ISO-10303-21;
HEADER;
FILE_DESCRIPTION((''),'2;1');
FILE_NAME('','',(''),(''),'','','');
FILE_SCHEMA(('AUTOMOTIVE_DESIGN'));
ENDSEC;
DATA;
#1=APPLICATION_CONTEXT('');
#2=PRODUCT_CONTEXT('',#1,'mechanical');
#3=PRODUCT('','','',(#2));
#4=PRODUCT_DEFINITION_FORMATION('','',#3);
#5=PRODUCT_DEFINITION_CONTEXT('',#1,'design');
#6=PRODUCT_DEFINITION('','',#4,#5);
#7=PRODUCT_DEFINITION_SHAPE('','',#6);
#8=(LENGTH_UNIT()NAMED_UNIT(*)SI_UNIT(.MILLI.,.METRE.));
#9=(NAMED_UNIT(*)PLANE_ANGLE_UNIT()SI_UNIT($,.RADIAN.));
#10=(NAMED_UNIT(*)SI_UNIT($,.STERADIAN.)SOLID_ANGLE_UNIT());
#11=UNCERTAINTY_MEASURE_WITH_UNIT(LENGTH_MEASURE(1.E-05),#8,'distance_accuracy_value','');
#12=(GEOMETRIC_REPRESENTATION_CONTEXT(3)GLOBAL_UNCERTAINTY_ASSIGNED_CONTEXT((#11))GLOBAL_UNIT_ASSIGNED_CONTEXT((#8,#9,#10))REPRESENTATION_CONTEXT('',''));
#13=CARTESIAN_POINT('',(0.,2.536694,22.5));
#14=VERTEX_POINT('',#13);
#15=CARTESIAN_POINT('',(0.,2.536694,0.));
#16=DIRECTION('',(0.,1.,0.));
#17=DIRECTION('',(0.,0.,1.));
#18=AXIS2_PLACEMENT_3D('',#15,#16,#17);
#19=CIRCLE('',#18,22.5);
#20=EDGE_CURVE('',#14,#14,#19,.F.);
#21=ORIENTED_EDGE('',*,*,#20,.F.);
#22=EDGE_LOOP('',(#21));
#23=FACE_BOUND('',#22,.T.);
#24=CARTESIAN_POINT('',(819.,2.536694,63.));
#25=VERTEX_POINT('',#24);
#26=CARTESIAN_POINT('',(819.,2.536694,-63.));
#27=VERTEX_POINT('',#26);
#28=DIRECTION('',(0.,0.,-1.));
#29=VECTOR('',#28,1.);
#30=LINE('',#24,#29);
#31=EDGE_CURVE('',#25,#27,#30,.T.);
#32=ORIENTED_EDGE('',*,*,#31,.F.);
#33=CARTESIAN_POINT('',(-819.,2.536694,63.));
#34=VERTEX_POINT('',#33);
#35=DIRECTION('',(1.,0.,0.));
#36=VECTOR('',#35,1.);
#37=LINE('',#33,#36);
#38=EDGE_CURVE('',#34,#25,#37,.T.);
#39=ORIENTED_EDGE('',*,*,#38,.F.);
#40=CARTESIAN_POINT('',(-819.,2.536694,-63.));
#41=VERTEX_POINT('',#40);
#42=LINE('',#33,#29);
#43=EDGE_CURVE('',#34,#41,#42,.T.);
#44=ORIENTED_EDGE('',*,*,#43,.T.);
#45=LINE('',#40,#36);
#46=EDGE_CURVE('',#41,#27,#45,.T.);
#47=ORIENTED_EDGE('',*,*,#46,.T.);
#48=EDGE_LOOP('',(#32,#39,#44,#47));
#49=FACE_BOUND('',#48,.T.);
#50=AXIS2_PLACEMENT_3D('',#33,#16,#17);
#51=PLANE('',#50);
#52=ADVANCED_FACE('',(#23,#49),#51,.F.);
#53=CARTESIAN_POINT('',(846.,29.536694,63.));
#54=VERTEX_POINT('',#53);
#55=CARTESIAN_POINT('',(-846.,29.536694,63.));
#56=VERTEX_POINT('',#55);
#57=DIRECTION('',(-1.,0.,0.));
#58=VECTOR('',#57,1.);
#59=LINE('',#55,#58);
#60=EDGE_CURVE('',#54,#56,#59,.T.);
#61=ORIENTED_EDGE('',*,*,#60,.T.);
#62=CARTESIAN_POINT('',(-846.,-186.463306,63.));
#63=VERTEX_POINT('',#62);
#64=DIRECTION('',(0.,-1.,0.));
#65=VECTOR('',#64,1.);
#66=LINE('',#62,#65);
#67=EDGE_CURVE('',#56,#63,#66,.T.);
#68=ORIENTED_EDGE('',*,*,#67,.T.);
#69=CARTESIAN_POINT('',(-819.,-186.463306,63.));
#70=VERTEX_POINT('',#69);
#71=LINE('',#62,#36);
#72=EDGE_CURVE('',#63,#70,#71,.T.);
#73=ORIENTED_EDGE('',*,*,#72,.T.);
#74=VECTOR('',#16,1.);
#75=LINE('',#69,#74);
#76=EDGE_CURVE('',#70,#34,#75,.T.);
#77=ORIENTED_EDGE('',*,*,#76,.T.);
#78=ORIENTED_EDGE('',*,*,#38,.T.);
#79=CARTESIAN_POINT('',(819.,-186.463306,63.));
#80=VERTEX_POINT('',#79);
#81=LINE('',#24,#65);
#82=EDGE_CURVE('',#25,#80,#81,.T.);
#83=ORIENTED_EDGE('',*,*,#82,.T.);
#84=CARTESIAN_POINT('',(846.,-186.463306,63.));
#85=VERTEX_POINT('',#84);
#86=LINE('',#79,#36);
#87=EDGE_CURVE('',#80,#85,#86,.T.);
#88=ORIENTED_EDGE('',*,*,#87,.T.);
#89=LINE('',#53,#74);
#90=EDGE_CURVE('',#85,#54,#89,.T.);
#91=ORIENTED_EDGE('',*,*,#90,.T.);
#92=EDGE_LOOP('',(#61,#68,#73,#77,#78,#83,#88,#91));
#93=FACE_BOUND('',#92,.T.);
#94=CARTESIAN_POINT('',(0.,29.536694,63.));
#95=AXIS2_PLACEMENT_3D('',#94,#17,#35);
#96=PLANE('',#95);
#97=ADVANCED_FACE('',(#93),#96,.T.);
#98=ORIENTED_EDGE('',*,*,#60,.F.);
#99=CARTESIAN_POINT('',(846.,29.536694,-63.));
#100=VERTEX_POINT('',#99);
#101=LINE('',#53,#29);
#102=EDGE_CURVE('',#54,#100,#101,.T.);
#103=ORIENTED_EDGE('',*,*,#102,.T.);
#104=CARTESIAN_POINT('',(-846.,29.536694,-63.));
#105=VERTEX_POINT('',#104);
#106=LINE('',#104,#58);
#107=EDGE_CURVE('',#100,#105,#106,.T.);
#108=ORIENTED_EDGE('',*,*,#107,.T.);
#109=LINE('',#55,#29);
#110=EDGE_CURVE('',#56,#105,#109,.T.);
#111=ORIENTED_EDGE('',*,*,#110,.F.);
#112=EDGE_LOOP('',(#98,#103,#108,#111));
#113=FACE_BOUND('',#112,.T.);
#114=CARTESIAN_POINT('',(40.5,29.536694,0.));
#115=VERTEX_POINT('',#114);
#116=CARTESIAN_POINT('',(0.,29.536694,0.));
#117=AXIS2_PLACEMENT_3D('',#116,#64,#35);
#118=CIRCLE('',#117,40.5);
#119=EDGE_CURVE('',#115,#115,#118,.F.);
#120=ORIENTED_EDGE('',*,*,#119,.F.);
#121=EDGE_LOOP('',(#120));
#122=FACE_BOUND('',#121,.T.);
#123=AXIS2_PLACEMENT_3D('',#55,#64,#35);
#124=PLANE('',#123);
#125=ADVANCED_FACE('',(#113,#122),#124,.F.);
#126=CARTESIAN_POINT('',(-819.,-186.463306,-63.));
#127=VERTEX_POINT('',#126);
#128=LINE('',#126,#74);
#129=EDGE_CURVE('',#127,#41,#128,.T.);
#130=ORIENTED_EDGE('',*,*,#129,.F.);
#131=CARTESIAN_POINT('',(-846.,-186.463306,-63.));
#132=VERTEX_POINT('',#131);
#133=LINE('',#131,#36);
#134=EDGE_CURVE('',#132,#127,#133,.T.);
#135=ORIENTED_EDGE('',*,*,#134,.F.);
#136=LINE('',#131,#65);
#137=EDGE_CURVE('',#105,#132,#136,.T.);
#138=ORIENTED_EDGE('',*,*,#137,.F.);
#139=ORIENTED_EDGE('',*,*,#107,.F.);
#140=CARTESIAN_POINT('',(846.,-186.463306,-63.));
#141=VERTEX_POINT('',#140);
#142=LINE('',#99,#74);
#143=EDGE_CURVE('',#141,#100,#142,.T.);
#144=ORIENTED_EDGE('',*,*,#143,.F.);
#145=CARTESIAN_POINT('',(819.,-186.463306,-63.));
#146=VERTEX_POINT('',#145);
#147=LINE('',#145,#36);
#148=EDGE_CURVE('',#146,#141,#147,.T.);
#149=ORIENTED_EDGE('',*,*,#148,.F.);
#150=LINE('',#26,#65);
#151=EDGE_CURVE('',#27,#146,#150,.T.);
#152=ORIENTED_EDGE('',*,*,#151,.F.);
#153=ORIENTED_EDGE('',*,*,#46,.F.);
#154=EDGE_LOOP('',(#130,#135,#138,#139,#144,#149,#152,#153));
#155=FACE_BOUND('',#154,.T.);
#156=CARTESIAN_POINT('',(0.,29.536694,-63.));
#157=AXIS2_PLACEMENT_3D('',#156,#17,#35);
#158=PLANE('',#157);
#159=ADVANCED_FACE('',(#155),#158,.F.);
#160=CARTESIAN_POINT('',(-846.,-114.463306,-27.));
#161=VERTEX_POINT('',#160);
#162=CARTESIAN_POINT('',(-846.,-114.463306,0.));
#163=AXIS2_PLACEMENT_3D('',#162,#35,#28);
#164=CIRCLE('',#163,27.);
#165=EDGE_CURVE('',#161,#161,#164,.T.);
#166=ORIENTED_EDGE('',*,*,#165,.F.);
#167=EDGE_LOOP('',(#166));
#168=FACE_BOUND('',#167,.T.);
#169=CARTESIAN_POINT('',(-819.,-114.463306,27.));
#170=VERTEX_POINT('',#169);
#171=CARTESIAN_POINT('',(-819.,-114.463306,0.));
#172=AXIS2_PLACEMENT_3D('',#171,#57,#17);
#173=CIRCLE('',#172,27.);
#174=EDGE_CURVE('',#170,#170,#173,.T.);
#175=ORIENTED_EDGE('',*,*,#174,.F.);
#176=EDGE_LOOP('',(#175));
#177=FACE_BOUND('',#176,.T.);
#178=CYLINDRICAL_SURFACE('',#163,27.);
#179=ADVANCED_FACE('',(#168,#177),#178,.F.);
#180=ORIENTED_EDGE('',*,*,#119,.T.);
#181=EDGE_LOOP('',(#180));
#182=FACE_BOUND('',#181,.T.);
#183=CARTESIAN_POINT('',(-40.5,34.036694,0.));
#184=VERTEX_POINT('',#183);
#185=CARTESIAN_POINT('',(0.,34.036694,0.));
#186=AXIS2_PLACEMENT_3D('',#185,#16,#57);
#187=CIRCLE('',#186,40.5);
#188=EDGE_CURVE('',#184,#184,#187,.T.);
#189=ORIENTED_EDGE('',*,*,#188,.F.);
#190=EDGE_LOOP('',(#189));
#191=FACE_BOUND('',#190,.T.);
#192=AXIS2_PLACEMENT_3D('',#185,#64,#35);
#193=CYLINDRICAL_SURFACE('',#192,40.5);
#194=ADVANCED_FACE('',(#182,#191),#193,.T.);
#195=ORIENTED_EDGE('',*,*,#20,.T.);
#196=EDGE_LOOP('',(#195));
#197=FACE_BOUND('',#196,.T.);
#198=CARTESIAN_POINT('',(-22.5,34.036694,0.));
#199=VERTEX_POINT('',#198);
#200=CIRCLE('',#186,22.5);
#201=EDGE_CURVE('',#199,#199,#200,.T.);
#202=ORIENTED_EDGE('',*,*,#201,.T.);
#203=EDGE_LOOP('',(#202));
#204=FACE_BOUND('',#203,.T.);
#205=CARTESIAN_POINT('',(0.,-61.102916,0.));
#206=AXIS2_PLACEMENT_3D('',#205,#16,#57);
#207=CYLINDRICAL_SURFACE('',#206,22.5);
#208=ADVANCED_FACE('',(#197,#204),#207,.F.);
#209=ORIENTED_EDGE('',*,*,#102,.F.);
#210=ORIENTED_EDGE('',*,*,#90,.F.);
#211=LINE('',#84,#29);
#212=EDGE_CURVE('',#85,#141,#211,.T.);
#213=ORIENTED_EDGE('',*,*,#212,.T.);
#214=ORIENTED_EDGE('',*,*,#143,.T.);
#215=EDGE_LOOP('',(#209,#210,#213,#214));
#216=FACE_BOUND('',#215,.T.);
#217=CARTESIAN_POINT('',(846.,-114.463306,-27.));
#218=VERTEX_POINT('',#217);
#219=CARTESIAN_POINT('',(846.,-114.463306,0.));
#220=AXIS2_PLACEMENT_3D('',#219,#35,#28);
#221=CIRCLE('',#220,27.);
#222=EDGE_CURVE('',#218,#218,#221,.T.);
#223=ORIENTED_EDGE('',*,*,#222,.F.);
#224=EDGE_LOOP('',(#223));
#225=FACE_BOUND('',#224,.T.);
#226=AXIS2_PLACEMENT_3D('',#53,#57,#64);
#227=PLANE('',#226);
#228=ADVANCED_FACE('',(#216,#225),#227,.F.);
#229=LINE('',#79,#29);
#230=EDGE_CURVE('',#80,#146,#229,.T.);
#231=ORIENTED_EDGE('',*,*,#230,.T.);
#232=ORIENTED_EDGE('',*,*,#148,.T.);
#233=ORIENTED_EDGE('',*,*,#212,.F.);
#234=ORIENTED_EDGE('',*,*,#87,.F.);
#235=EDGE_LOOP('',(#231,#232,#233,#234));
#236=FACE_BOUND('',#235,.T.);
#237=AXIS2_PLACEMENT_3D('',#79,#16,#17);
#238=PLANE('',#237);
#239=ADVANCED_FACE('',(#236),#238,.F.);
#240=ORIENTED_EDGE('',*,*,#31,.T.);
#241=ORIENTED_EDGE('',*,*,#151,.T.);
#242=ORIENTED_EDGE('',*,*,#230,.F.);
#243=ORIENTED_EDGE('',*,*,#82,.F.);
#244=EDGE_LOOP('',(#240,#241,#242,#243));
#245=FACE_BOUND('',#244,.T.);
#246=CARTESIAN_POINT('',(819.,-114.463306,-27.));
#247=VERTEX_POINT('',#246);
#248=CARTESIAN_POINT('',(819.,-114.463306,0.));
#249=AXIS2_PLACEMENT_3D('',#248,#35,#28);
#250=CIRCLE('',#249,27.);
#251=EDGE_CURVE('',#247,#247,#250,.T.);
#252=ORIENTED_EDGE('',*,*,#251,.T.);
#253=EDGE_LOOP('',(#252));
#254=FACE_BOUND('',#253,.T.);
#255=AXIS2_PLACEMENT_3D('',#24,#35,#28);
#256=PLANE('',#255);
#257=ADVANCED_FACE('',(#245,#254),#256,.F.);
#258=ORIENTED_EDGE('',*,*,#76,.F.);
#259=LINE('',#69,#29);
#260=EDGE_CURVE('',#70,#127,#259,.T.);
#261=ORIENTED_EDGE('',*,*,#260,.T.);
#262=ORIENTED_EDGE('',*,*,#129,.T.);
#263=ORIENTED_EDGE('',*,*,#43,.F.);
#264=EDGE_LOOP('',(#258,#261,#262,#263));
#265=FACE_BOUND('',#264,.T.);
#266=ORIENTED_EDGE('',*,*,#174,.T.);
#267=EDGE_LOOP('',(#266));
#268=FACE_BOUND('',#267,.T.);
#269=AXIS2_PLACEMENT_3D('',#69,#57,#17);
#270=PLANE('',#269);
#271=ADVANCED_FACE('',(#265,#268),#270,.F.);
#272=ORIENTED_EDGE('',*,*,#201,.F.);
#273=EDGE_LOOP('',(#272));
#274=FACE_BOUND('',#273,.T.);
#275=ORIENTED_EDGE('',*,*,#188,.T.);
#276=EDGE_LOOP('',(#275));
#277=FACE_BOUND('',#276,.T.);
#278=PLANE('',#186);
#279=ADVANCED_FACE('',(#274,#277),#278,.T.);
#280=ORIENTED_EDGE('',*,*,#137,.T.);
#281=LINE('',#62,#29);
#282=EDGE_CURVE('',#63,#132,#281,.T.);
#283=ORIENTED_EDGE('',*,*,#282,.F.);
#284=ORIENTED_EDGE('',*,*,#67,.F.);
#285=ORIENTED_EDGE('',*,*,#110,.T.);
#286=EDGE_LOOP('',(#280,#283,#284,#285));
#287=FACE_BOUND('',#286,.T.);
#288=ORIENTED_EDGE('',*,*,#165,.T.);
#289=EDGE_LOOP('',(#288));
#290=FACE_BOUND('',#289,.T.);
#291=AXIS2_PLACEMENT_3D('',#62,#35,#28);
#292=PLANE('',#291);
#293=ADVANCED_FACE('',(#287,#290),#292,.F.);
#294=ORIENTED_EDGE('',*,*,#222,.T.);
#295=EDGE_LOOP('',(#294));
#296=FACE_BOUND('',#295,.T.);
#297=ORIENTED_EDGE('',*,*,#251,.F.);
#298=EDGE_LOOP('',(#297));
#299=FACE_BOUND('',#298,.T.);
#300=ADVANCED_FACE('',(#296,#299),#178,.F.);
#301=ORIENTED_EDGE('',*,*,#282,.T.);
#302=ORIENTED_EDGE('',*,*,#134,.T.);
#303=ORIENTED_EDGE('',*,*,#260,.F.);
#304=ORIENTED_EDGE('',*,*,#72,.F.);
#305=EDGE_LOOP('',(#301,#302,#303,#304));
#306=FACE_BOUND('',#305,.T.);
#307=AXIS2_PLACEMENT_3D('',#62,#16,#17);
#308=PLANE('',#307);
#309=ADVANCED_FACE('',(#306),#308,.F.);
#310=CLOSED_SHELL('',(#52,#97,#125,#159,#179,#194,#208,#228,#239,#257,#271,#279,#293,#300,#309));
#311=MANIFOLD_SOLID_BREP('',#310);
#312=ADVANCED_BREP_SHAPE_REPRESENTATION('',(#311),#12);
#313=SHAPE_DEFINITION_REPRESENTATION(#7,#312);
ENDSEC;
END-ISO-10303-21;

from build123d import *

# Parameters (mm, degrees)
BOSS_EXTRUDE1_DEPTH     = 3.5
CUT_EXTRUDE1_DEPTH      = 49.633835958
CUT_EXTRUDE1_DEPTH_BACK = 1.5
SKETCH2_R               = 1.25
SKETCH3_R               = 2.25
SKETCH3_R_2             = 1.25
BOSS_EXTRUDE2_DEPTH     = 0.25
CUT_EXTRUDE2_DEPTH      = 49.633835958
CUT_EXTRUDE2_DEPTH_BACK = 49.633835958
SKETCH4_R               = 1.5
SCALE1_SCALE            = 18


with BuildPart() as part:
    # Sketch1 → Boss-Extrude1 (new, symmetric)
    with BuildSketch(Plane.XY):
        Polygon((-47, -12), (-47, 0), (47, 0), (47, -12), (45.5, -12), (45.5, -1.5), (-45.5, -1.5), (-45.5, -12), align=None)
    extrude(amount=BOSS_EXTRUDE1_DEPTH, both=True)

    # Sketch2 → Cut-Extrude1 (cut, two sides: drawn at the far end of the back side and taken through both)
    with BuildSketch(Plane(origin=(0, 0, 0), x_dir=(1, 0, 0), z_dir=(0, 1, 0)).offset(-CUT_EXTRUDE1_DEPTH_BACK)):
        with Locations(Location((0, 0, 0), (0, 0, 270))):
            Circle(SKETCH2_R)
    extrude(amount=CUT_EXTRUDE1_DEPTH + CUT_EXTRUDE1_DEPTH_BACK, mode=Mode.SUBTRACT)

    # Sketch3 → Boss-Extrude2 (add, symmetric)
    with BuildSketch(Plane(origin=(0, 0, 0), x_dir=(1, 0, 0), z_dir=(0, 1, 0))):
        Circle(SKETCH3_R)
        with Locations(Location((0, 0, 0), (0, 0, 180))):
            Circle(SKETCH3_R_2, mode=Mode.SUBTRACT)
    extrude(amount=BOSS_EXTRUDE2_DEPTH, both=True)

    # Sketch4 → Cut-Extrude2 (cut, two sides: drawn at the far end of the back side and taken through both)
    with BuildSketch(Plane(origin=(0, 0, 0), x_dir=(0, 0, -1), z_dir=(1, 0, 0)).offset(-CUT_EXTRUDE2_DEPTH_BACK)):
        with Locations((0, -8)):
            Circle(SKETCH4_R)
    extrude(amount=CUT_EXTRUDE2_DEPTH + CUT_EXTRUDE2_DEPTH_BACK, mode=Mode.SUBTRACT)


with BuildPart() as part_1:
    # Scale1: scaled about (0, -1.737452604, 0)
    add(part.part.scale(SCALE1_SCALE).moved(Location((0, 29.536694268, 0))))


solid = part_1.part
